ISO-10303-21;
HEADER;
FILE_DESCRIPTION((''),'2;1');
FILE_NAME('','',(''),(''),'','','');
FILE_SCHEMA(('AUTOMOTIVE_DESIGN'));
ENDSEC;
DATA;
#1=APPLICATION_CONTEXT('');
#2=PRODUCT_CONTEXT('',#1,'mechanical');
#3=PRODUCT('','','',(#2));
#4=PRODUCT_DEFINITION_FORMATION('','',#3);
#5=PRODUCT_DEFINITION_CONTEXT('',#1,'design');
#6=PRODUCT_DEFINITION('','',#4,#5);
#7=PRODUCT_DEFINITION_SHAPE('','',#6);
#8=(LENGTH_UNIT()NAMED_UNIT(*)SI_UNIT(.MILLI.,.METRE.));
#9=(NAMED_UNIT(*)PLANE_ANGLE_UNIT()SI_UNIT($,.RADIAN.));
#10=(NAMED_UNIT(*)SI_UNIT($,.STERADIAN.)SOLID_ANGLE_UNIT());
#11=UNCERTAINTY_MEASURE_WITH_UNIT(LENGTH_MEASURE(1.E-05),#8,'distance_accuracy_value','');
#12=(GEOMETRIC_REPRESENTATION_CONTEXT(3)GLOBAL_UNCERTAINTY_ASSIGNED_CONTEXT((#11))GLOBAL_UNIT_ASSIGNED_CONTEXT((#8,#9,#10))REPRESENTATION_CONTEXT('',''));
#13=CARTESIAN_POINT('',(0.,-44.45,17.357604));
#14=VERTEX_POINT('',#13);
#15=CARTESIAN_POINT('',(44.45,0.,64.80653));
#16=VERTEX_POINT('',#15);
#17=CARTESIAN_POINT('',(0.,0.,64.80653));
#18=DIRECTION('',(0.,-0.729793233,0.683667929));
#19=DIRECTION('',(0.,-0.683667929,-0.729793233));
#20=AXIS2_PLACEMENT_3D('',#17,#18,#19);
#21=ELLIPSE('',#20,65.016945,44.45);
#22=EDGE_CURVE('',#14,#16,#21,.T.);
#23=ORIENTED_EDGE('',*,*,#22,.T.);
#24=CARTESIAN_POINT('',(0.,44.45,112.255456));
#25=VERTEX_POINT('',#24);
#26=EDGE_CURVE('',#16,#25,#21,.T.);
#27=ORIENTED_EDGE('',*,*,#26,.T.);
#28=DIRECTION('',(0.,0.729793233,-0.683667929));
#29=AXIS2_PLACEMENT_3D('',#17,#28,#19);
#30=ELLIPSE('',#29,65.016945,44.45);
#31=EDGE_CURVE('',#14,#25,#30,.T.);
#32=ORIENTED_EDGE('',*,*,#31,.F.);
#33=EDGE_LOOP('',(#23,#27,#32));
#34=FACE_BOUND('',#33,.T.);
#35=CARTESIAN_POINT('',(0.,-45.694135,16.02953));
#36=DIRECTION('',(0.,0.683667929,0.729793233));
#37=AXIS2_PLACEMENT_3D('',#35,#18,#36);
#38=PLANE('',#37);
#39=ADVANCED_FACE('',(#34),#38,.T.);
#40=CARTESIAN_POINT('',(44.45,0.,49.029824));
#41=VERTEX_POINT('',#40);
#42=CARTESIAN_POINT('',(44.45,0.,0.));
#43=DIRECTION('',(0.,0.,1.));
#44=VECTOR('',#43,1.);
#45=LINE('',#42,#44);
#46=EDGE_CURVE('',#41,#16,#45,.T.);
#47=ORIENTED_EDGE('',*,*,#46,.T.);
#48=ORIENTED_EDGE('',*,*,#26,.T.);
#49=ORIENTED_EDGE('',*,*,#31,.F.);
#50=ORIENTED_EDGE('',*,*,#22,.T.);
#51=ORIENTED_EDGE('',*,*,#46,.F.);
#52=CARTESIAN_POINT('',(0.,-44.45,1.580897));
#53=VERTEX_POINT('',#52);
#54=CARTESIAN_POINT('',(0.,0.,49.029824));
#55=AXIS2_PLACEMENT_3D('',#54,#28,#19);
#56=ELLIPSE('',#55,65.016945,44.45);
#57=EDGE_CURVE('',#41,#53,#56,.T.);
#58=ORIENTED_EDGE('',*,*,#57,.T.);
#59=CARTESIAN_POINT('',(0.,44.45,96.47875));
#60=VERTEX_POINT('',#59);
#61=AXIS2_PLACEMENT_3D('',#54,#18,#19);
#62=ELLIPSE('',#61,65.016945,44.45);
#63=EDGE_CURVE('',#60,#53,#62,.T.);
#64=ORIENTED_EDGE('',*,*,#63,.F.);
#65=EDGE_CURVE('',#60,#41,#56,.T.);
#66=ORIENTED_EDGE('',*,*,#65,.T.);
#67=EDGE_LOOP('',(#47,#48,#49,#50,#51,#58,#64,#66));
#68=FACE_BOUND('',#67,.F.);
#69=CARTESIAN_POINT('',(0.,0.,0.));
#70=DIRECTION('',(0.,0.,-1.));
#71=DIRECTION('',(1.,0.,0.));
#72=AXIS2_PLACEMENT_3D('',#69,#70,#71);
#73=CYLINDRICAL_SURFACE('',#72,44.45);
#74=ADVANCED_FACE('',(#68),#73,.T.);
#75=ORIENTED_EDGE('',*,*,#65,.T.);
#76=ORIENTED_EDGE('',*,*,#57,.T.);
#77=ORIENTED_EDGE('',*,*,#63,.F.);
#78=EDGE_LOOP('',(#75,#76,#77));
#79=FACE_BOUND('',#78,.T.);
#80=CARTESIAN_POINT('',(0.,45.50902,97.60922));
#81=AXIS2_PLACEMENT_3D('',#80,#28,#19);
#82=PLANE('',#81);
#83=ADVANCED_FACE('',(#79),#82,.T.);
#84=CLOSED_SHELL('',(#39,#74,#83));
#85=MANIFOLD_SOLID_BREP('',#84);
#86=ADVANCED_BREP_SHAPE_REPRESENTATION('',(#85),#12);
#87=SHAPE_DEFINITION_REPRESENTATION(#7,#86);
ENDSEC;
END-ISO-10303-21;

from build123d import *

# Parameters (mm, degrees)
F0_R          = 44.45
F1_DEPTH      = 114.04092
F3_DEPTH      = 44.451
F3_DEPTH_BACK = 50.8


with BuildPart() as f1:
    # F0 (on Top) → F1 (new body)
    with BuildSketch(Plane.XY):
        Circle(F0_R)
    extrude(amount=F1_DEPTH)

    # F2 (on Right) → F3 (cut, two sides)
    with BuildSketch(Plane.YZ) as f3_sk:
        Polygon((45.509020371, 97.6092198572), (-45.930979629, 0), (45.509020371, 0), align=None)
        Polygon((-45.6941351295, 115.0895298285), (-45.6941351295, 16.0295298285), (47.1049509943, 115.0895298285), align=None)
    extrude(amount=-F3_DEPTH, mode=Mode.SUBTRACT)
    extrude(f3_sk.sketch, amount=F3_DEPTH_BACK, mode=Mode.SUBTRACT)


solid = f1.part
